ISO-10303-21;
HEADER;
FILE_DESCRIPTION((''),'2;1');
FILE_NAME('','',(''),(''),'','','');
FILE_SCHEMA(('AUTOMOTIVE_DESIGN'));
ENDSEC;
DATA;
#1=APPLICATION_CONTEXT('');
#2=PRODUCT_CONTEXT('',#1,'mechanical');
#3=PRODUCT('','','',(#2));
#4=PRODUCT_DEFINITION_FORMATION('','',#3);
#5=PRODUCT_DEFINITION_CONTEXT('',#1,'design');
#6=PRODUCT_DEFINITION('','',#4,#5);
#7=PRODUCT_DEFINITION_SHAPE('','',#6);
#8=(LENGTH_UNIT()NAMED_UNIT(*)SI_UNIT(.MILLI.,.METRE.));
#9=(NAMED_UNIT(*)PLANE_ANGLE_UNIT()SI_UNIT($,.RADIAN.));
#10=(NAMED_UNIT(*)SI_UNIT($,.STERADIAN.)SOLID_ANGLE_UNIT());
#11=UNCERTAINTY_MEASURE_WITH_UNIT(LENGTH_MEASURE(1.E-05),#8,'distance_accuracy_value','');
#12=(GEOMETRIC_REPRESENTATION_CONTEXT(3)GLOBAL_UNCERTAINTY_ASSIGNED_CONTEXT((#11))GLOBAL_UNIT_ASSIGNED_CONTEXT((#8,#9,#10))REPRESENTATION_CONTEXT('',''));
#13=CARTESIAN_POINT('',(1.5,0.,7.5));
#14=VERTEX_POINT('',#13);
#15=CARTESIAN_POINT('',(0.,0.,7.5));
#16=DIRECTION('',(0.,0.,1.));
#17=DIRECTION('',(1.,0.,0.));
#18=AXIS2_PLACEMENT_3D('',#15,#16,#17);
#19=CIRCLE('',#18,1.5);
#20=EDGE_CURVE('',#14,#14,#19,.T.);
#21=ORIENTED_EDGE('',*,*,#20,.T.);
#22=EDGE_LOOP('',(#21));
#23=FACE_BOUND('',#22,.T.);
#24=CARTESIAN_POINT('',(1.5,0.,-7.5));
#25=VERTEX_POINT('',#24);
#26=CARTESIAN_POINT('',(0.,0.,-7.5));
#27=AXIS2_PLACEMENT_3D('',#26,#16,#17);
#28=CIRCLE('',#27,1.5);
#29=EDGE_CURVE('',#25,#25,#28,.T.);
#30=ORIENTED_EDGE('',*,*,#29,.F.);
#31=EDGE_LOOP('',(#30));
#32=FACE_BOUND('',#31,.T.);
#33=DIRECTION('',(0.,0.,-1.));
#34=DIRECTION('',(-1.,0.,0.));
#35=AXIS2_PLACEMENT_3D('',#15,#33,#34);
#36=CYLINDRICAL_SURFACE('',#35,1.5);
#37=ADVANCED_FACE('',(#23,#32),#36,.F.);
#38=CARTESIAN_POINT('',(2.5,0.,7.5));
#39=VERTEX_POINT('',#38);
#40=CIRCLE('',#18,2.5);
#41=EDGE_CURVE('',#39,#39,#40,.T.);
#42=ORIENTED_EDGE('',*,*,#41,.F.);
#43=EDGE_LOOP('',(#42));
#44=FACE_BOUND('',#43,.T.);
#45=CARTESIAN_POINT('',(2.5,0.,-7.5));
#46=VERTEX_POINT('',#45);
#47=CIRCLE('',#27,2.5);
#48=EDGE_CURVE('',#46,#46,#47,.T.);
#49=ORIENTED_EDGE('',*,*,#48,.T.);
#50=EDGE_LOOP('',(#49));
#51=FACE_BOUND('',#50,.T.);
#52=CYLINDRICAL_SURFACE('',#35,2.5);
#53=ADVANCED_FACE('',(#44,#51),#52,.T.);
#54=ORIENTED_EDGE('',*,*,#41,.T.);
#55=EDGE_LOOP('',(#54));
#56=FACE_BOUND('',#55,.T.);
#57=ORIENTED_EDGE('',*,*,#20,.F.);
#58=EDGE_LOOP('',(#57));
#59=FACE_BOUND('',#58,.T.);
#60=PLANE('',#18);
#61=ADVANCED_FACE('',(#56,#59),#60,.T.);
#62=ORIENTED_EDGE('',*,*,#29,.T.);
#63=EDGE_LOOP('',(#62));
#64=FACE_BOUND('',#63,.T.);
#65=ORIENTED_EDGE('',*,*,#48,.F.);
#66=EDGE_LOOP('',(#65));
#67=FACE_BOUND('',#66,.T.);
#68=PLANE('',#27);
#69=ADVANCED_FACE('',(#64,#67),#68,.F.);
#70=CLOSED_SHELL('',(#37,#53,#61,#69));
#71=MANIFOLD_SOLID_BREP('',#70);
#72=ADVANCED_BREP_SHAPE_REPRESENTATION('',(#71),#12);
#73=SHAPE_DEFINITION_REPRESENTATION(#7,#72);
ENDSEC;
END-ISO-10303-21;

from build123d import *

# Parameters (mm, degrees)
SKETCH_1_R      = 2.5
SKETCH_1_R_2    = 1.5
EXTRUDE_1_DEPTH = 7.5


with BuildPart() as part:
    # 草图1 → 凸台-拉伸1 (new body, symmetric)
    with BuildSketch(Plane.XY):
        Circle(SKETCH_1_R)
        Circle(SKETCH_1_R_2, mode=Mode.SUBTRACT)
    extrude(amount=EXTRUDE_1_DEPTH, both=True)


solid = part.part
